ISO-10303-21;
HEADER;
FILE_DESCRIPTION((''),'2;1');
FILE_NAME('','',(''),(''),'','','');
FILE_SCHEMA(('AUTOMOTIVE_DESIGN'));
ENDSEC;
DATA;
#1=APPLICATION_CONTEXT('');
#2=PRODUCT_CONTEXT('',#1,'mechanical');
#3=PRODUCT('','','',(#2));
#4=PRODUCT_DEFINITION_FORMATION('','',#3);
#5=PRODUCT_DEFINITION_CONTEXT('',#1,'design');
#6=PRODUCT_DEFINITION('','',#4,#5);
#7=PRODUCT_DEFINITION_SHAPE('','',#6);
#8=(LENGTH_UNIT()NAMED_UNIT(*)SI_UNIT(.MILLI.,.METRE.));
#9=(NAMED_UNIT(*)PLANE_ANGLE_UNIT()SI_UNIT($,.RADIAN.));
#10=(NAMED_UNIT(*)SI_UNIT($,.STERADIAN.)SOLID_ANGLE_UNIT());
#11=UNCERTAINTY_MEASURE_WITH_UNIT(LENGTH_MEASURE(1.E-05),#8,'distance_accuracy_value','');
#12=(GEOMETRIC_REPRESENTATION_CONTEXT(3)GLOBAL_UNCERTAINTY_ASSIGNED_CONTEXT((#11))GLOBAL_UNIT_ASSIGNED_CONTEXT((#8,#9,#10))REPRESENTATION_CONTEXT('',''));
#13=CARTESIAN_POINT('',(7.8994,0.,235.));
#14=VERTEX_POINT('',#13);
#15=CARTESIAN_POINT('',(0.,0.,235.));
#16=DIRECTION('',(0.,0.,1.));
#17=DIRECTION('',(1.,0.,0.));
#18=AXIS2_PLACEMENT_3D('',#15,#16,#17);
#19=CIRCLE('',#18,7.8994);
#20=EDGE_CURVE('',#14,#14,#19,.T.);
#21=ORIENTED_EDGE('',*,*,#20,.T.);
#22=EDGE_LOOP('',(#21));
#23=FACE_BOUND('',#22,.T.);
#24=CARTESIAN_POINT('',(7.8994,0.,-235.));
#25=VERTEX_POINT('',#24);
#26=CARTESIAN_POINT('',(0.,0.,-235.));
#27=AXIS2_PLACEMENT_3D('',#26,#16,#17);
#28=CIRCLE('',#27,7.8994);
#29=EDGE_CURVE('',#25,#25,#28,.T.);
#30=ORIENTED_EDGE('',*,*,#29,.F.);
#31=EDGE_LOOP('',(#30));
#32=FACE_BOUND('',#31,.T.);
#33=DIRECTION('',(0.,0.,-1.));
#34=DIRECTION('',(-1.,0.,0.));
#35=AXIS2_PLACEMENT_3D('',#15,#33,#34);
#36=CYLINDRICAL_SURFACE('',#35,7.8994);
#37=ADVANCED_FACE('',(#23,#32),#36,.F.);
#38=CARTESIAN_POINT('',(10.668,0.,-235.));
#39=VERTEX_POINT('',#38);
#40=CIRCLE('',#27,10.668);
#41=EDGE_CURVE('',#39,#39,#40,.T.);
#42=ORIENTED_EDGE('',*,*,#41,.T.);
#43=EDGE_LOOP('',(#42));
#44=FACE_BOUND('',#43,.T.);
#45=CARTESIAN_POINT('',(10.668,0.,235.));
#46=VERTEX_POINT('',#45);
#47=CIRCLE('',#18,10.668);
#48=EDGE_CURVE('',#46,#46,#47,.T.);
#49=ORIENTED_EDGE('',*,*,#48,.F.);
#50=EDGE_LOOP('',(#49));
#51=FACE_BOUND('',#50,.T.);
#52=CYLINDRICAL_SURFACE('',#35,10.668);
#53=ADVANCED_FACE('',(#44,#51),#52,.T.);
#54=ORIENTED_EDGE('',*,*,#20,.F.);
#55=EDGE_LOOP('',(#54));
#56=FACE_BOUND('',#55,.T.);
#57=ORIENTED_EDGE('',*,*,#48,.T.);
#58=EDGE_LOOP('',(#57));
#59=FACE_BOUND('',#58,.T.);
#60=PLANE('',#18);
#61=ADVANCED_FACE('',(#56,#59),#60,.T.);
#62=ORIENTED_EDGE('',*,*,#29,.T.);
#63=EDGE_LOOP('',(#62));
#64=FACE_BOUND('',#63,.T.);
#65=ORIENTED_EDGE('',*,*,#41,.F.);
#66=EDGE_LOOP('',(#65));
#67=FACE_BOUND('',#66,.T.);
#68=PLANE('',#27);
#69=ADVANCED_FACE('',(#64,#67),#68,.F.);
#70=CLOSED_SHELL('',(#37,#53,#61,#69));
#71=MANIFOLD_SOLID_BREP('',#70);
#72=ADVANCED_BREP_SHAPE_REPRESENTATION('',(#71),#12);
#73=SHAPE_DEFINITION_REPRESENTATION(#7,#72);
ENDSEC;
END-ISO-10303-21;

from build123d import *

# Parameters (mm, degrees)
SKETCH1_R           = 10.668
SKETCH1_R_2         = 7.8994
EXTRUDE_THIN1_DEPTH = 235


with BuildPart() as part:
    # Sketch1 → Extrude-Thin1 (new body, symmetric)
    with BuildSketch(Plane.XY):
        Circle(SKETCH1_R)
        Circle(SKETCH1_R_2, mode=Mode.SUBTRACT)
    extrude(amount=EXTRUDE_THIN1_DEPTH, both=True)


solid = part.part
